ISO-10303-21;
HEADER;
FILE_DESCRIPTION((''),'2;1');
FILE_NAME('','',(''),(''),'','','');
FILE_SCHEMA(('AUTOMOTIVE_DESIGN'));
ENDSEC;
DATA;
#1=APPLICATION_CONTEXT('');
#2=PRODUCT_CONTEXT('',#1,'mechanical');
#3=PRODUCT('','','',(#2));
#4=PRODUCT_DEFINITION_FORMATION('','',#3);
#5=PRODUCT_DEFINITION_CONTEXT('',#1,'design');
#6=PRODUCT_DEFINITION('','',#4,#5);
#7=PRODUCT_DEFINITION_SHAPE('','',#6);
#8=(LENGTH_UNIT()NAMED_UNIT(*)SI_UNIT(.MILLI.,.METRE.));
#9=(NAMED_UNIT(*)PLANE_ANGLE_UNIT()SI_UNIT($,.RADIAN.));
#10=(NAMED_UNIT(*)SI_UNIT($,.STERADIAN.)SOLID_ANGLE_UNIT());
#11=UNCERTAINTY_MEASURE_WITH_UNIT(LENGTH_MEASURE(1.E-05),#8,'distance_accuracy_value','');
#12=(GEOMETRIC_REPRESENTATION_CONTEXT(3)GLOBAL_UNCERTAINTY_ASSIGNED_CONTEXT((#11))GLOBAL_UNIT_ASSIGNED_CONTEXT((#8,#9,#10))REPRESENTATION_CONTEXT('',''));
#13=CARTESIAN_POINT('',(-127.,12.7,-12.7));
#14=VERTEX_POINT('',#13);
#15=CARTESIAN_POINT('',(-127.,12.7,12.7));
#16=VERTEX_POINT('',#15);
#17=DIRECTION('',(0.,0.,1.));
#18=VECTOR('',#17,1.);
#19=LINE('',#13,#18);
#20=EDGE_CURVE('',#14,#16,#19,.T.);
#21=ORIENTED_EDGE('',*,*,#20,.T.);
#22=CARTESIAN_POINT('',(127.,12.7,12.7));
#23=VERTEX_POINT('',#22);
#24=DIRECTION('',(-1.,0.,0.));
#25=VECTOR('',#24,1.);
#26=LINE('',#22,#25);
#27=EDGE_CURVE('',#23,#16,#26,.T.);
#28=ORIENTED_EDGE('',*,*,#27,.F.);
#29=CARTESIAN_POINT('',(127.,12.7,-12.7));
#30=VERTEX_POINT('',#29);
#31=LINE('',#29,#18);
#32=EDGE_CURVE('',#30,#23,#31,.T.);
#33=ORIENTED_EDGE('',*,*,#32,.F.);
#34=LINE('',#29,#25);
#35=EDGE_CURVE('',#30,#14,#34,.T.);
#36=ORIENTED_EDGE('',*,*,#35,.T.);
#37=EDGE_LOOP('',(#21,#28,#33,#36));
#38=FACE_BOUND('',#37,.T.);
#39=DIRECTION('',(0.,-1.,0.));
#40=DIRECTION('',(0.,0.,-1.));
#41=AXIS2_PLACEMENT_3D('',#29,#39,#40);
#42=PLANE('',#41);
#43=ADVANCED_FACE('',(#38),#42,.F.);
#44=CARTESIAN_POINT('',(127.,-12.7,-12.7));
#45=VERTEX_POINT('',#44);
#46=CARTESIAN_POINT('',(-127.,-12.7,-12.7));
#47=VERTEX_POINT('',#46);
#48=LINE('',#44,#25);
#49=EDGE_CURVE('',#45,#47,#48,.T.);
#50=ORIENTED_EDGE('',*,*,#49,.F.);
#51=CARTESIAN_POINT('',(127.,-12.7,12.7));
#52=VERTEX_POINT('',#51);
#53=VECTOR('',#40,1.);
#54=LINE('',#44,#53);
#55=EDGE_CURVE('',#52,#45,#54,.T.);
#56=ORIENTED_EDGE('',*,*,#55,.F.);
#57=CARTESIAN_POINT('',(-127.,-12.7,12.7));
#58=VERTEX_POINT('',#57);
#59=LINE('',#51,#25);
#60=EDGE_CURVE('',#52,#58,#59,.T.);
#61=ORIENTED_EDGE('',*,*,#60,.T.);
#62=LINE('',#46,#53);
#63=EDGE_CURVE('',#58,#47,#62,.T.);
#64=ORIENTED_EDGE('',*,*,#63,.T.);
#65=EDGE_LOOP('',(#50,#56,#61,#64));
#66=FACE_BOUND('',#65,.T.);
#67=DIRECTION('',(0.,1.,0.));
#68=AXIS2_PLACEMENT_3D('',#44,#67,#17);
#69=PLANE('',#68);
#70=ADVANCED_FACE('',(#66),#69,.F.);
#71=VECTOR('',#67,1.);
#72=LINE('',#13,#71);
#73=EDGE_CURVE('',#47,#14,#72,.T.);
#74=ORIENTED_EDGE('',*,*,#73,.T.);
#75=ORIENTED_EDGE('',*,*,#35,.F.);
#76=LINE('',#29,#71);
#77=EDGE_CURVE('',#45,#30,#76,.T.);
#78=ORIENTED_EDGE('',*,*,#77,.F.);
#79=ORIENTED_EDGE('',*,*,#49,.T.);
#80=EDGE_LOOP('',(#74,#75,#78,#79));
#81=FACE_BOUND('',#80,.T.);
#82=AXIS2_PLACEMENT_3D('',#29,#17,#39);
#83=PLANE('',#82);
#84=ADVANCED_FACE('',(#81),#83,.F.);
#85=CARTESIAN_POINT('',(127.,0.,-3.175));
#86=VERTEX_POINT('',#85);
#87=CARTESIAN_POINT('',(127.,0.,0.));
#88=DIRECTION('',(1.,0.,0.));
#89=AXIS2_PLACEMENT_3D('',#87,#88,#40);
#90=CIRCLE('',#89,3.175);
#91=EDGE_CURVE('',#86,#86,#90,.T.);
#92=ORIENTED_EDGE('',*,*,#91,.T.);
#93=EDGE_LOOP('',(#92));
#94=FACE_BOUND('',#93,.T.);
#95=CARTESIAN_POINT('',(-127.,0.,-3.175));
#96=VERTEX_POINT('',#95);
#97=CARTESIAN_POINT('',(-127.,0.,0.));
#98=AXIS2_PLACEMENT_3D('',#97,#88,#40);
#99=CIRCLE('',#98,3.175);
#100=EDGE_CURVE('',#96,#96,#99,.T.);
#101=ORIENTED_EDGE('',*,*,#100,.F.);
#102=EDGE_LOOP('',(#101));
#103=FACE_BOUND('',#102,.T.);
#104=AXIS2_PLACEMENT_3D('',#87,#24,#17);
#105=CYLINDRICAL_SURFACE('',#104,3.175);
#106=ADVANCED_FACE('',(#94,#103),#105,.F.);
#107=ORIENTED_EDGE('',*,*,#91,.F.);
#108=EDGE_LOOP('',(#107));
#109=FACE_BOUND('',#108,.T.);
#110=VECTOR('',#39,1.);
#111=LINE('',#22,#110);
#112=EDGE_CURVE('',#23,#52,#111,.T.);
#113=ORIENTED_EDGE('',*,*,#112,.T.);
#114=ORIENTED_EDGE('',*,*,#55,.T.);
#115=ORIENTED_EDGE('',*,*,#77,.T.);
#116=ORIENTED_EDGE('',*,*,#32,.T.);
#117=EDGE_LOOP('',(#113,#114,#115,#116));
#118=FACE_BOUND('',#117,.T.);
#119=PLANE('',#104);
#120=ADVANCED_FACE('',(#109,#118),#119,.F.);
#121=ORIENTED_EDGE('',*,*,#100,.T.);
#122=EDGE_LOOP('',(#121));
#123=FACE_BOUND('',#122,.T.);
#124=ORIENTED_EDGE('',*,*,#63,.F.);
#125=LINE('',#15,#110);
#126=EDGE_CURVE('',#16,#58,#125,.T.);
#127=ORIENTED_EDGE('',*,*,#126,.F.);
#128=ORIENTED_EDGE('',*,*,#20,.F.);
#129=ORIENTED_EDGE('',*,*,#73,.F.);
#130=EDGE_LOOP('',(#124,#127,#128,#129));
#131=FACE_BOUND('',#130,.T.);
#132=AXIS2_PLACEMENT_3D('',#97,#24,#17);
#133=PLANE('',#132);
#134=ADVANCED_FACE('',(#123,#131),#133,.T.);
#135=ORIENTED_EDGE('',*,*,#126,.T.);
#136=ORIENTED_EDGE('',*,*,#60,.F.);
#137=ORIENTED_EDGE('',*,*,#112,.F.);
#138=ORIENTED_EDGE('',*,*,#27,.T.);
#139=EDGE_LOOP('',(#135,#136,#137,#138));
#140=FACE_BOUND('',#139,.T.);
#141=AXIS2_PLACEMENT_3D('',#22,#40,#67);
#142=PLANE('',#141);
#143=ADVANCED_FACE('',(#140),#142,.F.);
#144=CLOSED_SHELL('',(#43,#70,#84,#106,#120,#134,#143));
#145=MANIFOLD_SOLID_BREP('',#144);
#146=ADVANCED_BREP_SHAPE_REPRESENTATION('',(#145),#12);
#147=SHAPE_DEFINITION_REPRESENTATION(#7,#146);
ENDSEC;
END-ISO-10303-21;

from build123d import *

# Parameters (mm, degrees)
SKETCH1_W           = 25.4
SKETCH1_H           = 25.4
SKETCH1_R           = 3.175
BOSS_EXTRUDE1_DEPTH = 127


with BuildPart() as part:
    # Sketch1 → Boss-Extrude1 (new body, symmetric)
    with BuildSketch(Plane(origin=(0, 0, 0), x_dir=(0, 0, -1), z_dir=(1, 0, 0))):
        Rectangle(SKETCH1_W, SKETCH1_H)
        Circle(SKETCH1_R, mode=Mode.SUBTRACT)
    extrude(amount=BOSS_EXTRUDE1_DEPTH, both=True)


solid = part.part
